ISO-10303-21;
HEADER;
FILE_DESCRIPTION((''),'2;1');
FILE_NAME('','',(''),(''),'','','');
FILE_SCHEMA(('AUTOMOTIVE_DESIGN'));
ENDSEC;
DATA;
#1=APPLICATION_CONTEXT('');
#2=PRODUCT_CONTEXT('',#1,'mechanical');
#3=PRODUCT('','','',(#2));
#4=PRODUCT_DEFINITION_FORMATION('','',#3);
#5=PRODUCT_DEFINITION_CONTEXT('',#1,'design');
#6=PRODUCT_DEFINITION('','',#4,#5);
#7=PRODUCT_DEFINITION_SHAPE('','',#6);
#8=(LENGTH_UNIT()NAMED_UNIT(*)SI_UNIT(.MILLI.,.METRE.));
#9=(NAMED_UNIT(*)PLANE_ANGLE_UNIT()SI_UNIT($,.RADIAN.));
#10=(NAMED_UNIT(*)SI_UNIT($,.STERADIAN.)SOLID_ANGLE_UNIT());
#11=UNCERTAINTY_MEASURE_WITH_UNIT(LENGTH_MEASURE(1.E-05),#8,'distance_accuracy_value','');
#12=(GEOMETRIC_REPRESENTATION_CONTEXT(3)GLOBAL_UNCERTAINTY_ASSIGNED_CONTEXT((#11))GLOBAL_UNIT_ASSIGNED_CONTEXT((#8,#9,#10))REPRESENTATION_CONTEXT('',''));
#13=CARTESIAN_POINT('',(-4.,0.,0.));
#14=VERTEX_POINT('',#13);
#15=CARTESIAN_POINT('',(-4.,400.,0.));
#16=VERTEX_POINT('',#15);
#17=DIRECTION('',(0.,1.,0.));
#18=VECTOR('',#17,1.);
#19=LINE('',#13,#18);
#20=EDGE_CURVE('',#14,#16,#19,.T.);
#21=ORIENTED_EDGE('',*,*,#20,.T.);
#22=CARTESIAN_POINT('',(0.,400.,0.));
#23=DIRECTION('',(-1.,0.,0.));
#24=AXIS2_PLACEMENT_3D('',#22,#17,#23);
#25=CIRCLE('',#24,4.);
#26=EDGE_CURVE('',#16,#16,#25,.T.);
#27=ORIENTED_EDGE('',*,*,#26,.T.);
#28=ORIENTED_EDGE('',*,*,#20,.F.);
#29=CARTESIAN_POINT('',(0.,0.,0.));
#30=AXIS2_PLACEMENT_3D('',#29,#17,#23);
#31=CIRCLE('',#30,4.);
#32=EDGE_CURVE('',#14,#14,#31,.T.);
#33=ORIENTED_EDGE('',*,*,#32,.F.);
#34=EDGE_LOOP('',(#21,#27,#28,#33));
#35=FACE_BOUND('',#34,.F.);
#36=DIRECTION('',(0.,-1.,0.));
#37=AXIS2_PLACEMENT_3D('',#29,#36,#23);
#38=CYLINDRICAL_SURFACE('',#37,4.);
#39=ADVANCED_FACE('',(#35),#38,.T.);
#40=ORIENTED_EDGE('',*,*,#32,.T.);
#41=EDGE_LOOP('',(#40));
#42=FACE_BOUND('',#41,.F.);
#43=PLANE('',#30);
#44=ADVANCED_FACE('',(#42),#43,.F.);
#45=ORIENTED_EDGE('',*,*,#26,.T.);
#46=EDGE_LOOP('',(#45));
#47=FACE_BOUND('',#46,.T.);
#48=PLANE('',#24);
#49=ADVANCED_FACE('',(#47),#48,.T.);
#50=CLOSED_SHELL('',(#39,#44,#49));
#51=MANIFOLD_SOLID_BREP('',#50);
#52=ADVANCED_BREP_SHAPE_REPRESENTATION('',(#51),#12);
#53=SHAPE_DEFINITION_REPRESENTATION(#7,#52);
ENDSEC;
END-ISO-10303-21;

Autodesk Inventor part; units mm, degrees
ref_plane "YZ Plane" through (0, 0, 0) normal (1, 0, 0) x (0, 1, 0)
ref_plane "XZ Plane" through (0, 0, 0) normal (0, 1, 0) x (-1, 0, 0)
ref_plane "XY Plane" through (0, 0, 0) normal (0, 0, 1) x (1, 0, 0)
sketch "Sketch1" plane through (0, 0, 0) normal (0, 1, 0) x (-1, 0, 0)
  circle A0 centre (0, 0) radius 4
  dimension "d0" = 8
extrude "Extrusion1" add sketch "Sketch1" along normal blind 400
equation "\"d0\" = RodDiameter"
equation "\"d1\" = SmallRodLenght"
equation "\"RodDiameter\" = 8"
equation "\"SmallRodLenght\" = 400"
equation "\"VerticalBearingOD\" = 16"
equation "\"PrintingClearance\" = 0.2"
properties part number "SmallRod"
